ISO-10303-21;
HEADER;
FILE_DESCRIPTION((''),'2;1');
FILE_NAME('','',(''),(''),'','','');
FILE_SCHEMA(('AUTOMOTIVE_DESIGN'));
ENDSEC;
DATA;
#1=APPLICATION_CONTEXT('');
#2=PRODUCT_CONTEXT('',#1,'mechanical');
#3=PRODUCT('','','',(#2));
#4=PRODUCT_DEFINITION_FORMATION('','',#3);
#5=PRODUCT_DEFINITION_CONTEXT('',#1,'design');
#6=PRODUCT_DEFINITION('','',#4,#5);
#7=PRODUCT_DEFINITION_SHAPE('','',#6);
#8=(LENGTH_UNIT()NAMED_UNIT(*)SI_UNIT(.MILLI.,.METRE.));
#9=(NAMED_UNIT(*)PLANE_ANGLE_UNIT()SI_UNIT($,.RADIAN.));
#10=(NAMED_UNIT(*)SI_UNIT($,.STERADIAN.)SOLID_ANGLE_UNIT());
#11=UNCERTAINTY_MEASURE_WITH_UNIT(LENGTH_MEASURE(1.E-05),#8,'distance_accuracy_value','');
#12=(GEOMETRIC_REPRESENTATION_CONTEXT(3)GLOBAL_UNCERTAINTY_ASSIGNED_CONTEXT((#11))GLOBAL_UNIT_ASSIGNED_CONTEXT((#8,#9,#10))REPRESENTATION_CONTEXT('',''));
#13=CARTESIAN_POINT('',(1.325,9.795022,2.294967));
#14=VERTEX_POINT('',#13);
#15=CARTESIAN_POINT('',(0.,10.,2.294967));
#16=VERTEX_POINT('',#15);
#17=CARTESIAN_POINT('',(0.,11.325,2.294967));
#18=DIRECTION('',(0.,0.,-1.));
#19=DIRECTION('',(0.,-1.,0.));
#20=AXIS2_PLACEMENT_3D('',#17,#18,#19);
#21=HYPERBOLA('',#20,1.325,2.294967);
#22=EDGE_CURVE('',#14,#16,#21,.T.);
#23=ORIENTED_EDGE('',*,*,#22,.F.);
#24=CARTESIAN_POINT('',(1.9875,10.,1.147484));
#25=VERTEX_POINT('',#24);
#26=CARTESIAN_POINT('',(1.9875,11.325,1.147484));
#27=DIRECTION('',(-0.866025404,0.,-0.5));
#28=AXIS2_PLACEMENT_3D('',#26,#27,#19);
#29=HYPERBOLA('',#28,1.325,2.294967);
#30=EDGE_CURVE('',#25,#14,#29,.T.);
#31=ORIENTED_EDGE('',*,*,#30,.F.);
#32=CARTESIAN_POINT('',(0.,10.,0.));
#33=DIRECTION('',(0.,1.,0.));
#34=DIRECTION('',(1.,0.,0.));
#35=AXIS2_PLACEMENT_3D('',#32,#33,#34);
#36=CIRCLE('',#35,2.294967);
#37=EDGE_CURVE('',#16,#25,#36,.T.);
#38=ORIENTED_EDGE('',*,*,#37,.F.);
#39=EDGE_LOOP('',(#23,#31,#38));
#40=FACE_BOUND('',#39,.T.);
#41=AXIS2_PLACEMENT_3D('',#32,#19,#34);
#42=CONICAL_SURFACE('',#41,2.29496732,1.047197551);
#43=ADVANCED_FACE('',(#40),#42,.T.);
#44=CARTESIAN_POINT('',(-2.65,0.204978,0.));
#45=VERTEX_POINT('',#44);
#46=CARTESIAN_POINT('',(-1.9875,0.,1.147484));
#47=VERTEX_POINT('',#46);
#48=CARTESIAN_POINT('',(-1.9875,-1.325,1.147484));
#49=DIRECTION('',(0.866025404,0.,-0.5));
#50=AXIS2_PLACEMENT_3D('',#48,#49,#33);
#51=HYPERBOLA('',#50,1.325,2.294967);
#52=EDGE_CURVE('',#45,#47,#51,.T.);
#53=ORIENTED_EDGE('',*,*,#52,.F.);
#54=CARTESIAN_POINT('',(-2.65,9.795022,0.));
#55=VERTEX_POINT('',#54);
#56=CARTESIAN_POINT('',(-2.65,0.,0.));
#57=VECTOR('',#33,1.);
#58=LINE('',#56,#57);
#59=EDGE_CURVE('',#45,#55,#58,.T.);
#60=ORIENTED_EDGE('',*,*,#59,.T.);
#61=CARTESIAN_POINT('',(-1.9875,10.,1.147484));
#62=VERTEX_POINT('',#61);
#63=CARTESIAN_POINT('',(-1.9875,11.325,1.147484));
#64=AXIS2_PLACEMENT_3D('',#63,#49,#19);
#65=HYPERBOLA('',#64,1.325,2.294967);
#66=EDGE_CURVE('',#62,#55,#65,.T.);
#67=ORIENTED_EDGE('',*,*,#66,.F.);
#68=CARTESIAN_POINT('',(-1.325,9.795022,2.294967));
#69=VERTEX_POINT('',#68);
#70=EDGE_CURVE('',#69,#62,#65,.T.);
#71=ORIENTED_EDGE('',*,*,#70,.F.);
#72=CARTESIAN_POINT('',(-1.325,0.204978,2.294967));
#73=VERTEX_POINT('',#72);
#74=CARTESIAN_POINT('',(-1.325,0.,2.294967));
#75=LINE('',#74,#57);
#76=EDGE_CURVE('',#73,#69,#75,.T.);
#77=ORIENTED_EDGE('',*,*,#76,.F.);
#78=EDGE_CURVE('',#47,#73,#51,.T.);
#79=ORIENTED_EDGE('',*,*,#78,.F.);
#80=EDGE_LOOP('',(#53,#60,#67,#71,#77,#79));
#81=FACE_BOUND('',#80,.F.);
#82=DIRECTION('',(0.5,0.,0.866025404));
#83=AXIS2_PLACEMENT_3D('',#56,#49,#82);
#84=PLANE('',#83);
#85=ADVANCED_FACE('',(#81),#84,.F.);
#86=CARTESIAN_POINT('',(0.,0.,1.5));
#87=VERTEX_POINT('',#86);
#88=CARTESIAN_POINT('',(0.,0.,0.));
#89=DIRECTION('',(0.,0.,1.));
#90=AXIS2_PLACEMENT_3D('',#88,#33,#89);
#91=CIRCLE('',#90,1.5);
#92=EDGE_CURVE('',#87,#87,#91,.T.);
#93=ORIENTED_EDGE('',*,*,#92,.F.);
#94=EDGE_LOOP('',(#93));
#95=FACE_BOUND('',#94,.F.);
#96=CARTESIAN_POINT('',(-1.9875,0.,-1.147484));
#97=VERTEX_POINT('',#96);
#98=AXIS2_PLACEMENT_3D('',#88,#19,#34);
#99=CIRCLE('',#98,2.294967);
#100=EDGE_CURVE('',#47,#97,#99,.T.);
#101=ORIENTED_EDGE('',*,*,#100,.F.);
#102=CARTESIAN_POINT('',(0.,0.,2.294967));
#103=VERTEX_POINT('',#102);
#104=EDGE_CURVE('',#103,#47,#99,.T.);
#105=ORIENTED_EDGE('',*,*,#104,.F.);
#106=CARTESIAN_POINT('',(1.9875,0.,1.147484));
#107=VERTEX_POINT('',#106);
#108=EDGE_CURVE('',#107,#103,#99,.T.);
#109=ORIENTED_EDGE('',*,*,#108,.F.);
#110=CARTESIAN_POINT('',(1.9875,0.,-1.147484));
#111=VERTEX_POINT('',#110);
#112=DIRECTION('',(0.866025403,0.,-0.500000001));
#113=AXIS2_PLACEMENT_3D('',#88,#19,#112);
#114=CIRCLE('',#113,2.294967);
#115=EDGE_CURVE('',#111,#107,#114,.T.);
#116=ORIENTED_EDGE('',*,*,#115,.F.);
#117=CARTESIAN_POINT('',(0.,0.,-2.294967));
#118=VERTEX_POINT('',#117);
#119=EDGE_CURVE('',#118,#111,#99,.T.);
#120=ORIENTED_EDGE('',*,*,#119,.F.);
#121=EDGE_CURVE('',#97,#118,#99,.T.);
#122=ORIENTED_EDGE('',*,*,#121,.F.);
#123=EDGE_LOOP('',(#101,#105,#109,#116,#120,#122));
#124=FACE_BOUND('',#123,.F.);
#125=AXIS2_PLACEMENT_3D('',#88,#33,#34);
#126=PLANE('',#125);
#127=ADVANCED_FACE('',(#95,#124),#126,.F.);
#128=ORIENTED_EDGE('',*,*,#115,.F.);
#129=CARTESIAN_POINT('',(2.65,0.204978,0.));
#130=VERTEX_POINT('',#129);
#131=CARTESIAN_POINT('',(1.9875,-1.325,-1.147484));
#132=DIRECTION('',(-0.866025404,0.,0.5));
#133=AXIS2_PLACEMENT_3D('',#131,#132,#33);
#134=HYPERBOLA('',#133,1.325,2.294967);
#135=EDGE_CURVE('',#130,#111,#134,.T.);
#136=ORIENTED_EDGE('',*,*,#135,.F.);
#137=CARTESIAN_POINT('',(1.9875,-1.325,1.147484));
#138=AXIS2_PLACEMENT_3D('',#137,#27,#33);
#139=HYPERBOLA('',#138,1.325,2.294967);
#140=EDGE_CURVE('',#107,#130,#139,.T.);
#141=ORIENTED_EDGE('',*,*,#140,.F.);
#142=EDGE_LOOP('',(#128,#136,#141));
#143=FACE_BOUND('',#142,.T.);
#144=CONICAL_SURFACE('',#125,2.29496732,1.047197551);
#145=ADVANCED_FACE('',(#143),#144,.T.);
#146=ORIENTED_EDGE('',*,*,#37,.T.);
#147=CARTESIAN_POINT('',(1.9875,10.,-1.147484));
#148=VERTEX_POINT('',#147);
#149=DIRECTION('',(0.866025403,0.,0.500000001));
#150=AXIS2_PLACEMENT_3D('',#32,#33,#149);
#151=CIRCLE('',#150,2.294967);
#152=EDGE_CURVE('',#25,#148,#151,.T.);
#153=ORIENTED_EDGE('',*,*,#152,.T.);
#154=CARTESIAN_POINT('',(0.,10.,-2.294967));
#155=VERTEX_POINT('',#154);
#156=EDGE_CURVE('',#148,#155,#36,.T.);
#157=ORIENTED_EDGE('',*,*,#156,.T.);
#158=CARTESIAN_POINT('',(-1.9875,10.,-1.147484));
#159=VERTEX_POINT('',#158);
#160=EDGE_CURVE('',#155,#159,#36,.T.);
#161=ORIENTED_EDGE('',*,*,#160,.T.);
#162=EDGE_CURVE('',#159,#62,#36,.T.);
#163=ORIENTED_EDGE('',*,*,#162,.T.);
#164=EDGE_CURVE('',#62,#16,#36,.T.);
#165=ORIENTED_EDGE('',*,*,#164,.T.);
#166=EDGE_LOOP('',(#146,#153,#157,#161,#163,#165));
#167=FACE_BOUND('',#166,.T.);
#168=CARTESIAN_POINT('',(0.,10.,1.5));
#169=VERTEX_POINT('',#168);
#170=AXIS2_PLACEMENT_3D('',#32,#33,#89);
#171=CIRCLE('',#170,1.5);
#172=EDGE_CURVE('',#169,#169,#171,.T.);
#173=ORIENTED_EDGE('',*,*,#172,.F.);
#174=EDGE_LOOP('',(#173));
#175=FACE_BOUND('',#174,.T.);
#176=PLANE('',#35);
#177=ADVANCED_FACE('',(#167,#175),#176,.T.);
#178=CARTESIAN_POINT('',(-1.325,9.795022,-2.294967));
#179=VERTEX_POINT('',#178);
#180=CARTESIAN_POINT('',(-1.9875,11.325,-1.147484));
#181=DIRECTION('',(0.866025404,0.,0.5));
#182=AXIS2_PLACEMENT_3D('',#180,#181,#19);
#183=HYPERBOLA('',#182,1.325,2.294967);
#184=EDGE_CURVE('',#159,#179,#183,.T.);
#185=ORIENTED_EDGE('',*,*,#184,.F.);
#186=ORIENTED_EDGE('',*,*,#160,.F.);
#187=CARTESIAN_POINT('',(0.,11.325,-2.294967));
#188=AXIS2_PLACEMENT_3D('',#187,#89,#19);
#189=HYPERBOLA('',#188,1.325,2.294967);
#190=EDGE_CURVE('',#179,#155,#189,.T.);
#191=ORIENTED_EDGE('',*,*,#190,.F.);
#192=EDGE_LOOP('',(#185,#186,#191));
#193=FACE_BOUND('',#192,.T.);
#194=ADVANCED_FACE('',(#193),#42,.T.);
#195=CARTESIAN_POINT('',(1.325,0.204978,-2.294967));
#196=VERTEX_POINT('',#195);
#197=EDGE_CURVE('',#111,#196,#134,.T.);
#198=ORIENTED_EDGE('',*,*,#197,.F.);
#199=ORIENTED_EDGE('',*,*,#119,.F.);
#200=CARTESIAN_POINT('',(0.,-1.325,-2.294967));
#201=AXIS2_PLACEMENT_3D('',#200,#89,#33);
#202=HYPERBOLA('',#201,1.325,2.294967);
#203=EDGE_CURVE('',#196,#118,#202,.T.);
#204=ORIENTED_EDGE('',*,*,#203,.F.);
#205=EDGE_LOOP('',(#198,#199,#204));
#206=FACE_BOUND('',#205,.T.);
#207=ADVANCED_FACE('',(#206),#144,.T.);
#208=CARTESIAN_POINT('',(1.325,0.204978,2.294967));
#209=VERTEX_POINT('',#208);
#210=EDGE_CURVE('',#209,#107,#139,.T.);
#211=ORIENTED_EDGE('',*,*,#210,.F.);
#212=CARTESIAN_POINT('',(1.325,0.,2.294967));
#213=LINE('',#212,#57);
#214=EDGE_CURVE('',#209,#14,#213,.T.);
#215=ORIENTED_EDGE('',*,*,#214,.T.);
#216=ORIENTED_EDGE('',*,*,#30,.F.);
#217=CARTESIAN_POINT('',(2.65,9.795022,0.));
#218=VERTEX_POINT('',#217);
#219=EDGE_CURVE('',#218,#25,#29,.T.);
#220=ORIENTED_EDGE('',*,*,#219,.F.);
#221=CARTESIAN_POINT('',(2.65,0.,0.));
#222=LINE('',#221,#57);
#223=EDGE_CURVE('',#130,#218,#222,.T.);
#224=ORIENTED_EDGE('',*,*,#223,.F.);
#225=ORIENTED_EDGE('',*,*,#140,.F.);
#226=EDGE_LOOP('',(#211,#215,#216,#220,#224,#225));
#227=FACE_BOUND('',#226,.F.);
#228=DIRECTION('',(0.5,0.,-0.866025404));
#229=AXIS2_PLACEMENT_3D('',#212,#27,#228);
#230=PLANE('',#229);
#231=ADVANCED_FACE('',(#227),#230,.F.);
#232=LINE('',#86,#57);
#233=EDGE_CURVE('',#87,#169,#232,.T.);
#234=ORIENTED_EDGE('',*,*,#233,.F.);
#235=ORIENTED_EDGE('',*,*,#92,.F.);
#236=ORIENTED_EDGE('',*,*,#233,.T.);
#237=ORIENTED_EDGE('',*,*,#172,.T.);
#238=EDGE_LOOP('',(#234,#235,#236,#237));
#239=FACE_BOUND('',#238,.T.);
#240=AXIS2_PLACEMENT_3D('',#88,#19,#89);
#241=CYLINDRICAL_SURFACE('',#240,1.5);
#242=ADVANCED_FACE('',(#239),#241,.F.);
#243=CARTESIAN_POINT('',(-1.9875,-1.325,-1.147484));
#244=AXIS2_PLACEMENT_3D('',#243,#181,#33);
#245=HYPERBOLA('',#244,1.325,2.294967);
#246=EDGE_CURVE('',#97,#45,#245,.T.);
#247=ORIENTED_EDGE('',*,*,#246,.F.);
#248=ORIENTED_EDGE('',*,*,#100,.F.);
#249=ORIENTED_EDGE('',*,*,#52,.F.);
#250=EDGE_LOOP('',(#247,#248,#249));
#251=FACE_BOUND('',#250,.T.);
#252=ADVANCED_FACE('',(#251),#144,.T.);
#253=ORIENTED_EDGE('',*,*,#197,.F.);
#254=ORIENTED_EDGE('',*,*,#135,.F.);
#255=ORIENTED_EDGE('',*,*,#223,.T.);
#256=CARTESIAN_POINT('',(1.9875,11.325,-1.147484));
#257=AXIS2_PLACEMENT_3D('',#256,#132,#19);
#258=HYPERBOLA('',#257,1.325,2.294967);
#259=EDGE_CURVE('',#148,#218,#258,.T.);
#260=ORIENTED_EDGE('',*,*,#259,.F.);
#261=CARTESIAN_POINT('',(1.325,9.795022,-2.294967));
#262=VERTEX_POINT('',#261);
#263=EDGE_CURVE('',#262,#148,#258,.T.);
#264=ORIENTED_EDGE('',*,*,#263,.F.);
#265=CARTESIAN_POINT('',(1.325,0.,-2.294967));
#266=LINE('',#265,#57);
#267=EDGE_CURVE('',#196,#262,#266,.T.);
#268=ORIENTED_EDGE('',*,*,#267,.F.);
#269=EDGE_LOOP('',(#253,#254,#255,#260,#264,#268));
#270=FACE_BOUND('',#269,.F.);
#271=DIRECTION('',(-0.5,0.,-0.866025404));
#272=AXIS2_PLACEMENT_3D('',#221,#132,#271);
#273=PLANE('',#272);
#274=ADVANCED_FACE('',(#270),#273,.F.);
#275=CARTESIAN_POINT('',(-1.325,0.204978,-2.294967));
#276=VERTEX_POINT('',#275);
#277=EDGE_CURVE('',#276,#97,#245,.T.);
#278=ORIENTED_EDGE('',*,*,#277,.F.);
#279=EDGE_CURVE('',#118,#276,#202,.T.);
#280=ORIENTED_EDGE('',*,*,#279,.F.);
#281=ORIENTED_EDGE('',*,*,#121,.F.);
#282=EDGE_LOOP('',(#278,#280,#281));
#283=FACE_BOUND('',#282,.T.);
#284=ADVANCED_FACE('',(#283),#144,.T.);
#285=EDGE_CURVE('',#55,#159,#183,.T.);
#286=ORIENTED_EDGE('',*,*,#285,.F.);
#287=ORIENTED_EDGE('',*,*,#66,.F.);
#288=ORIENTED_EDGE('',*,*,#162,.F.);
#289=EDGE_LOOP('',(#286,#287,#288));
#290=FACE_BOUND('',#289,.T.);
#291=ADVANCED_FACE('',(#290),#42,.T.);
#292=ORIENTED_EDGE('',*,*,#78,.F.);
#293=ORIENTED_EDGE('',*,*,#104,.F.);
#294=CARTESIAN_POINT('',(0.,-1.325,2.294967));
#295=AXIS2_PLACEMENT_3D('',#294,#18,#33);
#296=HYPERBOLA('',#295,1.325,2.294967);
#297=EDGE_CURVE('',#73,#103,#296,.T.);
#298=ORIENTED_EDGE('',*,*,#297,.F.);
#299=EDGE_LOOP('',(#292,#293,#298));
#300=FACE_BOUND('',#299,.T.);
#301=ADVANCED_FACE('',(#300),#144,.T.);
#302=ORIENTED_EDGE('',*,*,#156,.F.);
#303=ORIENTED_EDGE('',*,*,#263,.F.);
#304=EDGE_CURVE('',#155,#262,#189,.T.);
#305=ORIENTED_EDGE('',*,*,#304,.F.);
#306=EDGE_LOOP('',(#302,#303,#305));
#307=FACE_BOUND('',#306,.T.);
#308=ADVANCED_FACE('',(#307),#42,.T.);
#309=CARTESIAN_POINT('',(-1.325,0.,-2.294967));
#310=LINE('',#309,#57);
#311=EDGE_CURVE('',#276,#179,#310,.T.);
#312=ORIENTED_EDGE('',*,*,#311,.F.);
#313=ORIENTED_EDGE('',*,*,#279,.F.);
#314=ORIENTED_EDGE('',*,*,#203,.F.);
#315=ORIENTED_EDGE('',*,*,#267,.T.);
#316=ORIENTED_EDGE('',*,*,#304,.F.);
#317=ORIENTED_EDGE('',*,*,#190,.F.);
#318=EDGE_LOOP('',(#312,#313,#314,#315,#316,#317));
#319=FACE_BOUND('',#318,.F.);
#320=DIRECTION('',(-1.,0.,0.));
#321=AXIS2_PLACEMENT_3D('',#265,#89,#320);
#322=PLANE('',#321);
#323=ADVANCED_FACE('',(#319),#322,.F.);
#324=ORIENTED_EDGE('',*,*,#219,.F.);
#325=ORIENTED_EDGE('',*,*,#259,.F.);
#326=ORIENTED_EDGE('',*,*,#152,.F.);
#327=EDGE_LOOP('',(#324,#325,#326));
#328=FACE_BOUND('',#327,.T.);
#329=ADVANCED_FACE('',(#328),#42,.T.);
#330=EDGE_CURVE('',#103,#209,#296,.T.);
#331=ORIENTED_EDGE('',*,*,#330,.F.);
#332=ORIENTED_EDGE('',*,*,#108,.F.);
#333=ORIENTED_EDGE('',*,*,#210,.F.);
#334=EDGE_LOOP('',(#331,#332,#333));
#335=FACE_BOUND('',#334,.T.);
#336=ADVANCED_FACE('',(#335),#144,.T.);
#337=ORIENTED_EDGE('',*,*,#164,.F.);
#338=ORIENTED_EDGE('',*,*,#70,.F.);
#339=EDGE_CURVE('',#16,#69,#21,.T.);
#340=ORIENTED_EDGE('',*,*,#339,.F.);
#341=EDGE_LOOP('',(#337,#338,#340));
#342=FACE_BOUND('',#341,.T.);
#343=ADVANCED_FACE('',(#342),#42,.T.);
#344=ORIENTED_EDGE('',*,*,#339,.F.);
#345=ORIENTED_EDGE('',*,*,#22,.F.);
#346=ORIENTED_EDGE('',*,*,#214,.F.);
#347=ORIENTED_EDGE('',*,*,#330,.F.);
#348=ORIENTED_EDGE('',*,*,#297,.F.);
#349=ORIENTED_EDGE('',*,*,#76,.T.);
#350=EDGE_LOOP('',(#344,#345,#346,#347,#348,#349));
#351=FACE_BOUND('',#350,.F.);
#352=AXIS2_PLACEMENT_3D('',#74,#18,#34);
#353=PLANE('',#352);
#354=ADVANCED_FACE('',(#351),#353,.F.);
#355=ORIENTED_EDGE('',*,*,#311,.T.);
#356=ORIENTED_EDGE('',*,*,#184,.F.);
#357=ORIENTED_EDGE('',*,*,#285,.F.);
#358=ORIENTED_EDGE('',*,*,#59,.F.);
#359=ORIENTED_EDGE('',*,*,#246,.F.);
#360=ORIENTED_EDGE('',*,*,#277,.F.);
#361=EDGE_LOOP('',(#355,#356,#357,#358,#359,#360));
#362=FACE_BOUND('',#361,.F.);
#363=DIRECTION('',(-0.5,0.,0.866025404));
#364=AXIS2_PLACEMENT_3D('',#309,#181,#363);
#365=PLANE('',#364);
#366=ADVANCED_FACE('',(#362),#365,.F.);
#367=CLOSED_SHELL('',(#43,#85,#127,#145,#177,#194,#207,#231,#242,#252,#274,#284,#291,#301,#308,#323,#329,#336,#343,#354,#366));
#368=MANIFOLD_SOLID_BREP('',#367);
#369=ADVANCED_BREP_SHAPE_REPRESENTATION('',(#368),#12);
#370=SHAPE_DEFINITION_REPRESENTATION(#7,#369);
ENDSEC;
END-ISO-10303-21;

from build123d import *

# Parameters (mm, degrees)
SKETCH_1_R          = 1.5
EXTRUDE_1_DEPTH     = 10
SKETCH_2_OUTSIDE_W  = 49.914
SKETCH_2_OUTSIDE_H  = 49.204
SKETCH_2_OUTSIDE_R  = 2.29496732
CUT_EXTRUDE_1_DEPTH = 11.596668108
CUT_EXTRUDE_1_DRAFT = -60
SKETCH_3_OUTSIDE_W  = 49.914
SKETCH_3_OUTSIDE_H  = 49.204
SKETCH_3_OUTSIDE_R  = 2.29496732
CUT_EXTRUDE_2_DEPTH = 11.596668108
CUT_EXTRUDE_2_DRAFT = -60


with BuildPart() as part:
    # 草图1 → 凸台-拉伸1 (new body)
    with BuildSketch(Plane(origin=(0, 0, 0), x_dir=(1, 0, 0), z_dir=(0, 1, 0))):
        Polygon((1.325, 2.29496732), (-1.325, 2.29496732), (-2.65, 0), (-1.325, -2.29496732), (1.325, -2.29496732), (2.65, 0), align=None)
        Circle(SKETCH_1_R, mode=Mode.SUBTRACT)
    extrude(amount=EXTRUDE_1_DEPTH)


with BuildPart() as cut_extrude_1_tool:
    # 草图2 outside → 切除-拉伸1 (with draft: the straight prism first)
    with BuildSketch(Plane.XZ):
        Rectangle(SKETCH_2_OUTSIDE_W, SKETCH_2_OUTSIDE_H)
        Circle(SKETCH_2_OUTSIDE_R, mode=Mode.SUBTRACT)
    extrude(amount=-CUT_EXTRUDE_1_DEPTH)
    # 切除-拉伸1: the draft: its side faces are tilted about the plane it starts from
    cut_extrude_1_sides = [cut_extrude_1_tool.faces().sort_by_distance(p)[0] for p in [
        (0, 5.798334054, -24.602),
        (24.957, 5.798334054, 0),
        (0, 5.798334054, 24.602),
        (-24.957, 5.798334054, 0),
        (-2.29496732, 5.798334054, 0),
    ]]
    draft(cut_extrude_1_sides, Plane.XZ, CUT_EXTRUDE_1_DRAFT)


with BuildPart() as part_1:
    add(part.part)

    # 切除-拉伸1: cut by cut_extrude_1_tool
    add(cut_extrude_1_tool.part, mode=Mode.SUBTRACT)


with BuildPart() as cut_extrude_2_tool:
    # 草图3 outside → 切除-拉伸2 (with draft: the straight prism first)
    with BuildSketch(Plane(origin=(0, 10, 0), x_dir=(1, 0, 0), z_dir=(0, 1, 0))):
        Rectangle(SKETCH_3_OUTSIDE_W, SKETCH_3_OUTSIDE_H)
        Circle(SKETCH_3_OUTSIDE_R, mode=Mode.SUBTRACT)
    extrude(amount=-CUT_EXTRUDE_2_DEPTH)
    # 切除-拉伸2: the draft: its side faces are tilted about the plane it starts from
    cut_extrude_2_sides = [cut_extrude_2_tool.faces().sort_by_distance(p)[0] for p in [
        (0, 4.201665946, 24.602),
        (24.957, 4.201665946, 0),
        (0, 4.201665946, -24.602),
        (-24.957, 4.201665946, 0),
        (-2.29496732, 4.201665946, 0),
    ]]
    draft(cut_extrude_2_sides, Plane(origin=(0, 10, 0), x_dir=(1, 0, 0), z_dir=(0, 1, 0)), CUT_EXTRUDE_2_DRAFT)


with BuildPart() as part_2:
    add(part_1.part)

    # 切除-拉伸2: cut by cut_extrude_2_tool
    add(cut_extrude_2_tool.part, mode=Mode.SUBTRACT)


solid = part_2.part
